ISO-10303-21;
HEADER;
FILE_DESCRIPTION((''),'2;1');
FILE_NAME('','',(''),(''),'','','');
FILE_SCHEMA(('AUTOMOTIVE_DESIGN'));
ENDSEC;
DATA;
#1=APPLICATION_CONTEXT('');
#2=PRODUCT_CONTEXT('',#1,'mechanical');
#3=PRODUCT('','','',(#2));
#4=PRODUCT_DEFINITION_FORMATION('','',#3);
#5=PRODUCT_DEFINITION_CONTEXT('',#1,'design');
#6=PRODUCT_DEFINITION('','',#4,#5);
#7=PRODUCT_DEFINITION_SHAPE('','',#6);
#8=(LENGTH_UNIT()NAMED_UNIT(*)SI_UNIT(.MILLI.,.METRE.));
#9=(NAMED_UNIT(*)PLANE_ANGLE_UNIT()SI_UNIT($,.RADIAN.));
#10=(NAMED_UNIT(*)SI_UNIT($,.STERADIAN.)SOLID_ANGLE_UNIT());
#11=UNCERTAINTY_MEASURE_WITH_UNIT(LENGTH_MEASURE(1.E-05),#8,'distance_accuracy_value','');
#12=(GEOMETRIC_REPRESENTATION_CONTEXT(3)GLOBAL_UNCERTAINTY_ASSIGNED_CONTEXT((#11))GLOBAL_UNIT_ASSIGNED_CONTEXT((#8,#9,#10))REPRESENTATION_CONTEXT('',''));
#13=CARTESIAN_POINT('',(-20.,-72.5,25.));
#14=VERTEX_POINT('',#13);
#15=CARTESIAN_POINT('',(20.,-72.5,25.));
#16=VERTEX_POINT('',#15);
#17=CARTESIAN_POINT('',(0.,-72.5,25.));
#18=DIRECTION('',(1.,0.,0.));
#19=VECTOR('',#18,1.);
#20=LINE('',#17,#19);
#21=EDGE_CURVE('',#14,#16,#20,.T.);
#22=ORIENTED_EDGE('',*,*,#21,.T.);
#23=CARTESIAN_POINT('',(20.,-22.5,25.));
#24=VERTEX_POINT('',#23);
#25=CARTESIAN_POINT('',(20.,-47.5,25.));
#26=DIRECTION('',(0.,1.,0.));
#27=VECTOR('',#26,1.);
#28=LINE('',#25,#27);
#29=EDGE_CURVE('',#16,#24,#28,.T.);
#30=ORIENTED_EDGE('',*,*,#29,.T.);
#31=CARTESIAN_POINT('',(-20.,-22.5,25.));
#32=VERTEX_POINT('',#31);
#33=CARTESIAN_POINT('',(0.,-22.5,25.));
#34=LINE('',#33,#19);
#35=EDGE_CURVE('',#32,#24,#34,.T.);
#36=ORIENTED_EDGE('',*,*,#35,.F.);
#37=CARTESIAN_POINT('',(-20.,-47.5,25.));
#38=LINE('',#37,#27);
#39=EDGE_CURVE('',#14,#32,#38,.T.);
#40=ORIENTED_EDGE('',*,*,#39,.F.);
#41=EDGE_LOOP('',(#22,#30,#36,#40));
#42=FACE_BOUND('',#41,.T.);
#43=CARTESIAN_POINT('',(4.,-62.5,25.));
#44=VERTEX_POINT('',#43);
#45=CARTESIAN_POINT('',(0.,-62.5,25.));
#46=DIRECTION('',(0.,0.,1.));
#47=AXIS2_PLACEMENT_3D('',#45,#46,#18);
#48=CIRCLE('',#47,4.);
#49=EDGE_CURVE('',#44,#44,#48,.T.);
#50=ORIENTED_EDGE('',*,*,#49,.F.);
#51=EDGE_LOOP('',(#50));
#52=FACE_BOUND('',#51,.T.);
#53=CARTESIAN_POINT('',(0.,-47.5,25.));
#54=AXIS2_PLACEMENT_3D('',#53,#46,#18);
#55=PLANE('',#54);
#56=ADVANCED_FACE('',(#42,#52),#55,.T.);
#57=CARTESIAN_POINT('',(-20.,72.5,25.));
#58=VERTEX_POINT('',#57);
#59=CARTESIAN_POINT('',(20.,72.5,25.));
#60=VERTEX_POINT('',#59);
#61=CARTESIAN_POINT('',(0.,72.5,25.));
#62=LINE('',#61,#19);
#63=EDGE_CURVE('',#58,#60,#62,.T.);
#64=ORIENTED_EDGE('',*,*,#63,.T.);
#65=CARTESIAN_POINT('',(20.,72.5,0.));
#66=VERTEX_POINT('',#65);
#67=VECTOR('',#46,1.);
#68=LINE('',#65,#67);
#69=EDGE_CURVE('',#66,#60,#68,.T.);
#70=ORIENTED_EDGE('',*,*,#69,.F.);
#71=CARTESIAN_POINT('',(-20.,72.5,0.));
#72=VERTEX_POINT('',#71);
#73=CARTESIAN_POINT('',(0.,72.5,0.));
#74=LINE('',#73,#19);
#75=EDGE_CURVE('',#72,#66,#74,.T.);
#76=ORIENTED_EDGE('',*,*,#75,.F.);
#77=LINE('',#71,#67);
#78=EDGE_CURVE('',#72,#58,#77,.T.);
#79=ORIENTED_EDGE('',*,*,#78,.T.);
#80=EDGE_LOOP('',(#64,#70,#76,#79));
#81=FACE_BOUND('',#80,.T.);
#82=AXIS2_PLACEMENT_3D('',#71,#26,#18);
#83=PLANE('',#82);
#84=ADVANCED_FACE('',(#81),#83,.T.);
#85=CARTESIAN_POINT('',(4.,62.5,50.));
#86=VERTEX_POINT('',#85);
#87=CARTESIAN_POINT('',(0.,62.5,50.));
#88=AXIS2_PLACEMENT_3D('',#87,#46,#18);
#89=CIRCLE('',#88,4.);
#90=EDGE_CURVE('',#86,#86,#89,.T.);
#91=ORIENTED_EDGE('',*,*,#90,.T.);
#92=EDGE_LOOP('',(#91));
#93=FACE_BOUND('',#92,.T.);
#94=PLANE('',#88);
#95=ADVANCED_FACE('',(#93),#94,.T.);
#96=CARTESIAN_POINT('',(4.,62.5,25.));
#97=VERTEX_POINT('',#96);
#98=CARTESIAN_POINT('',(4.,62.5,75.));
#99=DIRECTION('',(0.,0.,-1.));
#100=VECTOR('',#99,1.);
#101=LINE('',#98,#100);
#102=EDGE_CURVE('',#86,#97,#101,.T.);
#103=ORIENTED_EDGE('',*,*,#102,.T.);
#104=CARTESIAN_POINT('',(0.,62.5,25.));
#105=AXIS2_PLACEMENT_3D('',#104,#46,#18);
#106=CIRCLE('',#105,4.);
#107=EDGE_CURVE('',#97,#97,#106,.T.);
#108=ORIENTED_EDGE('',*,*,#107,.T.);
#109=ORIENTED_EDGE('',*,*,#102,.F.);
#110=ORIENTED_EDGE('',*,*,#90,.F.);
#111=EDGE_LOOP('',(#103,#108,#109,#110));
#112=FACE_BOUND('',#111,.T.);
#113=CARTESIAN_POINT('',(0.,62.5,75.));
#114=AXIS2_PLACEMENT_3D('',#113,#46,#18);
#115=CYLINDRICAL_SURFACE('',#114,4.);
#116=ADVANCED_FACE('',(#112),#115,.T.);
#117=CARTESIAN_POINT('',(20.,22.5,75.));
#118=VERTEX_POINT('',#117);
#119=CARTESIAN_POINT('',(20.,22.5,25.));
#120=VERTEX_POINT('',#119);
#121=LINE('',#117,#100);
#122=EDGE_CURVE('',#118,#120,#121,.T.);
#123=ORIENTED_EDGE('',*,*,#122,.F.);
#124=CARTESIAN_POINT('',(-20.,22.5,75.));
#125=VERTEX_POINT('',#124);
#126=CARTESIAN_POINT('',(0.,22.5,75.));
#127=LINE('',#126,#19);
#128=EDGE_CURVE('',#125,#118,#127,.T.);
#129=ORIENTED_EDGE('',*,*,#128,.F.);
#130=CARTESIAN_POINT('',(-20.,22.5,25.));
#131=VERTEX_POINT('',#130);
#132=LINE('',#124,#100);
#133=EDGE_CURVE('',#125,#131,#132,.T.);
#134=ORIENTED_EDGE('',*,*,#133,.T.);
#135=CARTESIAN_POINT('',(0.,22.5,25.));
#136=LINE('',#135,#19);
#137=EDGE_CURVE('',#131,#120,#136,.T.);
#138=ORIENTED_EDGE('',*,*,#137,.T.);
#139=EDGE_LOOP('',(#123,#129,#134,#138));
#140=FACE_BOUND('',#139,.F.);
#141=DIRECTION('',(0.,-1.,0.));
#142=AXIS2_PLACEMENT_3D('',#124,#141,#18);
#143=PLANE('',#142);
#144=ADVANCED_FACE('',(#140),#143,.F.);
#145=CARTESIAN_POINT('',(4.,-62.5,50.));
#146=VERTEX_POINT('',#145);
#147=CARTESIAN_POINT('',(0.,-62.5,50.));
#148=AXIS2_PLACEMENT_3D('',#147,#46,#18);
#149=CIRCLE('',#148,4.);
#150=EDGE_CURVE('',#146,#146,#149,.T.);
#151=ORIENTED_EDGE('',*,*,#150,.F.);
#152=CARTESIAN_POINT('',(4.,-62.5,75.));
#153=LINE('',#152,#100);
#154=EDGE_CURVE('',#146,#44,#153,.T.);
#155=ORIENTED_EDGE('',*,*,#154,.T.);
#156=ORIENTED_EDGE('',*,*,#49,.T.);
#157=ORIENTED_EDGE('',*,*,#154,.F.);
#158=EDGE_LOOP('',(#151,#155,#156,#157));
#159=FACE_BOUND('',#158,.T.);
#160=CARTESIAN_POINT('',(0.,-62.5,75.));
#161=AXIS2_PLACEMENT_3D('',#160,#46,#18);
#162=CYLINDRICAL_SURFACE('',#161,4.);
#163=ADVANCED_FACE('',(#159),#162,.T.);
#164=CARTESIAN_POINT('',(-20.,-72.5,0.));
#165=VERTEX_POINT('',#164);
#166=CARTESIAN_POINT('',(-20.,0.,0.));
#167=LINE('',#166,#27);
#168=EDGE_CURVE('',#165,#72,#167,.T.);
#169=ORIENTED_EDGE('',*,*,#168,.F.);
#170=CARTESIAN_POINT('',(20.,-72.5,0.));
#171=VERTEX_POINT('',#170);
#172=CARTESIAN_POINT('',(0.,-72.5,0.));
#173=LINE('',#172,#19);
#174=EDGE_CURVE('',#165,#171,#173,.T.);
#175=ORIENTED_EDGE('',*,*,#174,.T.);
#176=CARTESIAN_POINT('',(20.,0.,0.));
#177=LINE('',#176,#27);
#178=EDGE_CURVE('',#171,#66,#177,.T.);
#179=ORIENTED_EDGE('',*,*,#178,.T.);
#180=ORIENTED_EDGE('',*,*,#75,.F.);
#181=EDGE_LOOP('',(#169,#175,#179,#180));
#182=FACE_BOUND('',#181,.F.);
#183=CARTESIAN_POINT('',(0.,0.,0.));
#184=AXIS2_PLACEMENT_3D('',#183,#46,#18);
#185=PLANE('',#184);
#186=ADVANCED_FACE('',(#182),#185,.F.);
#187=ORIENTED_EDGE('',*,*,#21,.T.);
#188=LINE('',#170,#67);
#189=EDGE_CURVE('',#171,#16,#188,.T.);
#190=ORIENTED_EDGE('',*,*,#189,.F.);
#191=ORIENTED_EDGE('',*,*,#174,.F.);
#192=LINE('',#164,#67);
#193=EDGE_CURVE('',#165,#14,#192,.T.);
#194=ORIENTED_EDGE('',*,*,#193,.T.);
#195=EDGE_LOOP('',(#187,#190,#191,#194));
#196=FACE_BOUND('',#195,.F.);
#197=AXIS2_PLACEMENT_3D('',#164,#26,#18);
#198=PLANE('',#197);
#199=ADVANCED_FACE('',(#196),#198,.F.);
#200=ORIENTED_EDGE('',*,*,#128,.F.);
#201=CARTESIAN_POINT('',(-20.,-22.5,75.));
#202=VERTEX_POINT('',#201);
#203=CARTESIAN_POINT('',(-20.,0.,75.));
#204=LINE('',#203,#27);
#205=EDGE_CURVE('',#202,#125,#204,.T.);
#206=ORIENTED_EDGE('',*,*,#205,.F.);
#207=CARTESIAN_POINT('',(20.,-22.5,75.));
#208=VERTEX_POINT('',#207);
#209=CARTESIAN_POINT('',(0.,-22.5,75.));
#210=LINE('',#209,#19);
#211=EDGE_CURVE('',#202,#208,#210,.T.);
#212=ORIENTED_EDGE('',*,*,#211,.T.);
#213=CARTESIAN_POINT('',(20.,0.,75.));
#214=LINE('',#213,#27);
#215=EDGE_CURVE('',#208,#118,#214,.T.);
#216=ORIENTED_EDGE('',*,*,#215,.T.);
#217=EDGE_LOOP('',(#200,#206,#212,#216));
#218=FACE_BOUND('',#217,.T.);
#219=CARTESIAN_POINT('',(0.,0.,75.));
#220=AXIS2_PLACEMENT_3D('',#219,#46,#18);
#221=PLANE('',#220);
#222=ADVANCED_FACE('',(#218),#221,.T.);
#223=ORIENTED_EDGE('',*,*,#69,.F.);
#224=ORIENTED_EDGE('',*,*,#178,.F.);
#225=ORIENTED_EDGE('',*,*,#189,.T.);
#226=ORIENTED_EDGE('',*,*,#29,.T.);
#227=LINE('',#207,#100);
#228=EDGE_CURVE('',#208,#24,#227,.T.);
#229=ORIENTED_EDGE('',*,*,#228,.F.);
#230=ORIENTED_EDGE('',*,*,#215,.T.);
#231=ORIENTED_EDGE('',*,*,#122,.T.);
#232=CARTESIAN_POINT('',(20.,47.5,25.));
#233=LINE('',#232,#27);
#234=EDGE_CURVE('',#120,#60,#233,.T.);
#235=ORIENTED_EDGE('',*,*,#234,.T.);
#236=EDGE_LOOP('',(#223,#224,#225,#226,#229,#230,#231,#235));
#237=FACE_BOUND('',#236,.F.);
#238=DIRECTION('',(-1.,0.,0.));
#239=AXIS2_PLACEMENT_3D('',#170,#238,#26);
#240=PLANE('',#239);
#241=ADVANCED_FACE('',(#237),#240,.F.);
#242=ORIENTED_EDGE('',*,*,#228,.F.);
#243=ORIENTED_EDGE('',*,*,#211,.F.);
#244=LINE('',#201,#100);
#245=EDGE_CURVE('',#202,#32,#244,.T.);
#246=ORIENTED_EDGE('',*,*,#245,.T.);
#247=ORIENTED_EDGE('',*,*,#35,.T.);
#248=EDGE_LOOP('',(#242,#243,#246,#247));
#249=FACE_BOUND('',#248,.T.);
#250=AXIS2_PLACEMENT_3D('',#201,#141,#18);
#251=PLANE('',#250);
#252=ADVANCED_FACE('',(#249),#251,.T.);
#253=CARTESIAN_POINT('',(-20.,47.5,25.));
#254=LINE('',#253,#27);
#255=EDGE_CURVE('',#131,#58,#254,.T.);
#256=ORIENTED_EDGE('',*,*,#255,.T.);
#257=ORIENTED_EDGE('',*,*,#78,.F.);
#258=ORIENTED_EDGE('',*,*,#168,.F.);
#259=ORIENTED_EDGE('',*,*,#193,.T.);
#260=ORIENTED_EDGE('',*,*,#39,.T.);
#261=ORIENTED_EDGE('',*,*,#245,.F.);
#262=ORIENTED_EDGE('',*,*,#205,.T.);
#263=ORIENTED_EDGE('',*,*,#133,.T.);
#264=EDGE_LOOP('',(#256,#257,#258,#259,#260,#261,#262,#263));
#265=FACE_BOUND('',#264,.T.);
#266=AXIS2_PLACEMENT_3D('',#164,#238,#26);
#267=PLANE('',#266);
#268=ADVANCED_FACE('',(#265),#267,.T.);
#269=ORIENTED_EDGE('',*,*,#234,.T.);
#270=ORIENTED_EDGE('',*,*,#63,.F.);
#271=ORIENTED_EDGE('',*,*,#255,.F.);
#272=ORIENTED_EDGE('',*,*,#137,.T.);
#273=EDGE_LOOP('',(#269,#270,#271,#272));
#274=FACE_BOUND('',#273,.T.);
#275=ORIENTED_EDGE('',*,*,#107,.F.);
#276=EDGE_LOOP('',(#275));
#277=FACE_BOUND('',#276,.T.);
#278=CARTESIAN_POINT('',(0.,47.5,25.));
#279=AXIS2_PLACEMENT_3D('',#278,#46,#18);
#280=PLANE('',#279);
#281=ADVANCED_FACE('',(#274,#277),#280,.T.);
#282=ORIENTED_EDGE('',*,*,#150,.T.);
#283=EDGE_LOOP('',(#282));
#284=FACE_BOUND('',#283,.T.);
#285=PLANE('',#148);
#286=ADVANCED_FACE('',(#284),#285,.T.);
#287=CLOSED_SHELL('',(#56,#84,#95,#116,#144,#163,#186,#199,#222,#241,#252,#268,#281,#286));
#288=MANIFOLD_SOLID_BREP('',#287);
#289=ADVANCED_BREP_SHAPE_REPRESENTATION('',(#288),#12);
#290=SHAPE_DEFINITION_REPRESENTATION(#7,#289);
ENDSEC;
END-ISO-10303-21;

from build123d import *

# Parameters (mm, degrees)
F0_W     = 40
F0_H     = 145
F1_DEPTH = 75
F2_W     = 40
F2_H     = 50
F2_R     = 4
F3_DEPTH = 50
F4_R     = 4.542439
F4_R_2   = 4.801552
F5_DEPTH = 25


with BuildPart() as f1:
    # F0 (on Top) → F1 (new body)
    with BuildSketch(Plane.XY):
        Rectangle(F0_W, F0_H)
    extrude(amount=F1_DEPTH)

    # F2 (on face) → F3 (cut)
    with BuildSketch(Plane.XY.offset(75)):
        with Locations((0, -47.5)):
            Rectangle(F2_W, F2_H)
        with Locations((0, -62.5)):
            Circle(F2_R, mode=Mode.SUBTRACT)
        with Locations((0, 47.5)):
            Rectangle(F2_W, F2_H)
        with Locations((0, 62.5)):
            Circle(F2_R, mode=Mode.SUBTRACT)
    extrude(amount=-F3_DEPTH, mode=Mode.SUBTRACT)

    # F4 (on face) → F5 (cut)
    with BuildSketch(Plane.XY.offset(75)):
        with Locations((0, 62.5)):
            Circle(F4_R)
        with Locations((0, -62.5)):
            Circle(F4_R_2)
    extrude(amount=-F5_DEPTH, mode=Mode.SUBTRACT)


solid = f1.part
